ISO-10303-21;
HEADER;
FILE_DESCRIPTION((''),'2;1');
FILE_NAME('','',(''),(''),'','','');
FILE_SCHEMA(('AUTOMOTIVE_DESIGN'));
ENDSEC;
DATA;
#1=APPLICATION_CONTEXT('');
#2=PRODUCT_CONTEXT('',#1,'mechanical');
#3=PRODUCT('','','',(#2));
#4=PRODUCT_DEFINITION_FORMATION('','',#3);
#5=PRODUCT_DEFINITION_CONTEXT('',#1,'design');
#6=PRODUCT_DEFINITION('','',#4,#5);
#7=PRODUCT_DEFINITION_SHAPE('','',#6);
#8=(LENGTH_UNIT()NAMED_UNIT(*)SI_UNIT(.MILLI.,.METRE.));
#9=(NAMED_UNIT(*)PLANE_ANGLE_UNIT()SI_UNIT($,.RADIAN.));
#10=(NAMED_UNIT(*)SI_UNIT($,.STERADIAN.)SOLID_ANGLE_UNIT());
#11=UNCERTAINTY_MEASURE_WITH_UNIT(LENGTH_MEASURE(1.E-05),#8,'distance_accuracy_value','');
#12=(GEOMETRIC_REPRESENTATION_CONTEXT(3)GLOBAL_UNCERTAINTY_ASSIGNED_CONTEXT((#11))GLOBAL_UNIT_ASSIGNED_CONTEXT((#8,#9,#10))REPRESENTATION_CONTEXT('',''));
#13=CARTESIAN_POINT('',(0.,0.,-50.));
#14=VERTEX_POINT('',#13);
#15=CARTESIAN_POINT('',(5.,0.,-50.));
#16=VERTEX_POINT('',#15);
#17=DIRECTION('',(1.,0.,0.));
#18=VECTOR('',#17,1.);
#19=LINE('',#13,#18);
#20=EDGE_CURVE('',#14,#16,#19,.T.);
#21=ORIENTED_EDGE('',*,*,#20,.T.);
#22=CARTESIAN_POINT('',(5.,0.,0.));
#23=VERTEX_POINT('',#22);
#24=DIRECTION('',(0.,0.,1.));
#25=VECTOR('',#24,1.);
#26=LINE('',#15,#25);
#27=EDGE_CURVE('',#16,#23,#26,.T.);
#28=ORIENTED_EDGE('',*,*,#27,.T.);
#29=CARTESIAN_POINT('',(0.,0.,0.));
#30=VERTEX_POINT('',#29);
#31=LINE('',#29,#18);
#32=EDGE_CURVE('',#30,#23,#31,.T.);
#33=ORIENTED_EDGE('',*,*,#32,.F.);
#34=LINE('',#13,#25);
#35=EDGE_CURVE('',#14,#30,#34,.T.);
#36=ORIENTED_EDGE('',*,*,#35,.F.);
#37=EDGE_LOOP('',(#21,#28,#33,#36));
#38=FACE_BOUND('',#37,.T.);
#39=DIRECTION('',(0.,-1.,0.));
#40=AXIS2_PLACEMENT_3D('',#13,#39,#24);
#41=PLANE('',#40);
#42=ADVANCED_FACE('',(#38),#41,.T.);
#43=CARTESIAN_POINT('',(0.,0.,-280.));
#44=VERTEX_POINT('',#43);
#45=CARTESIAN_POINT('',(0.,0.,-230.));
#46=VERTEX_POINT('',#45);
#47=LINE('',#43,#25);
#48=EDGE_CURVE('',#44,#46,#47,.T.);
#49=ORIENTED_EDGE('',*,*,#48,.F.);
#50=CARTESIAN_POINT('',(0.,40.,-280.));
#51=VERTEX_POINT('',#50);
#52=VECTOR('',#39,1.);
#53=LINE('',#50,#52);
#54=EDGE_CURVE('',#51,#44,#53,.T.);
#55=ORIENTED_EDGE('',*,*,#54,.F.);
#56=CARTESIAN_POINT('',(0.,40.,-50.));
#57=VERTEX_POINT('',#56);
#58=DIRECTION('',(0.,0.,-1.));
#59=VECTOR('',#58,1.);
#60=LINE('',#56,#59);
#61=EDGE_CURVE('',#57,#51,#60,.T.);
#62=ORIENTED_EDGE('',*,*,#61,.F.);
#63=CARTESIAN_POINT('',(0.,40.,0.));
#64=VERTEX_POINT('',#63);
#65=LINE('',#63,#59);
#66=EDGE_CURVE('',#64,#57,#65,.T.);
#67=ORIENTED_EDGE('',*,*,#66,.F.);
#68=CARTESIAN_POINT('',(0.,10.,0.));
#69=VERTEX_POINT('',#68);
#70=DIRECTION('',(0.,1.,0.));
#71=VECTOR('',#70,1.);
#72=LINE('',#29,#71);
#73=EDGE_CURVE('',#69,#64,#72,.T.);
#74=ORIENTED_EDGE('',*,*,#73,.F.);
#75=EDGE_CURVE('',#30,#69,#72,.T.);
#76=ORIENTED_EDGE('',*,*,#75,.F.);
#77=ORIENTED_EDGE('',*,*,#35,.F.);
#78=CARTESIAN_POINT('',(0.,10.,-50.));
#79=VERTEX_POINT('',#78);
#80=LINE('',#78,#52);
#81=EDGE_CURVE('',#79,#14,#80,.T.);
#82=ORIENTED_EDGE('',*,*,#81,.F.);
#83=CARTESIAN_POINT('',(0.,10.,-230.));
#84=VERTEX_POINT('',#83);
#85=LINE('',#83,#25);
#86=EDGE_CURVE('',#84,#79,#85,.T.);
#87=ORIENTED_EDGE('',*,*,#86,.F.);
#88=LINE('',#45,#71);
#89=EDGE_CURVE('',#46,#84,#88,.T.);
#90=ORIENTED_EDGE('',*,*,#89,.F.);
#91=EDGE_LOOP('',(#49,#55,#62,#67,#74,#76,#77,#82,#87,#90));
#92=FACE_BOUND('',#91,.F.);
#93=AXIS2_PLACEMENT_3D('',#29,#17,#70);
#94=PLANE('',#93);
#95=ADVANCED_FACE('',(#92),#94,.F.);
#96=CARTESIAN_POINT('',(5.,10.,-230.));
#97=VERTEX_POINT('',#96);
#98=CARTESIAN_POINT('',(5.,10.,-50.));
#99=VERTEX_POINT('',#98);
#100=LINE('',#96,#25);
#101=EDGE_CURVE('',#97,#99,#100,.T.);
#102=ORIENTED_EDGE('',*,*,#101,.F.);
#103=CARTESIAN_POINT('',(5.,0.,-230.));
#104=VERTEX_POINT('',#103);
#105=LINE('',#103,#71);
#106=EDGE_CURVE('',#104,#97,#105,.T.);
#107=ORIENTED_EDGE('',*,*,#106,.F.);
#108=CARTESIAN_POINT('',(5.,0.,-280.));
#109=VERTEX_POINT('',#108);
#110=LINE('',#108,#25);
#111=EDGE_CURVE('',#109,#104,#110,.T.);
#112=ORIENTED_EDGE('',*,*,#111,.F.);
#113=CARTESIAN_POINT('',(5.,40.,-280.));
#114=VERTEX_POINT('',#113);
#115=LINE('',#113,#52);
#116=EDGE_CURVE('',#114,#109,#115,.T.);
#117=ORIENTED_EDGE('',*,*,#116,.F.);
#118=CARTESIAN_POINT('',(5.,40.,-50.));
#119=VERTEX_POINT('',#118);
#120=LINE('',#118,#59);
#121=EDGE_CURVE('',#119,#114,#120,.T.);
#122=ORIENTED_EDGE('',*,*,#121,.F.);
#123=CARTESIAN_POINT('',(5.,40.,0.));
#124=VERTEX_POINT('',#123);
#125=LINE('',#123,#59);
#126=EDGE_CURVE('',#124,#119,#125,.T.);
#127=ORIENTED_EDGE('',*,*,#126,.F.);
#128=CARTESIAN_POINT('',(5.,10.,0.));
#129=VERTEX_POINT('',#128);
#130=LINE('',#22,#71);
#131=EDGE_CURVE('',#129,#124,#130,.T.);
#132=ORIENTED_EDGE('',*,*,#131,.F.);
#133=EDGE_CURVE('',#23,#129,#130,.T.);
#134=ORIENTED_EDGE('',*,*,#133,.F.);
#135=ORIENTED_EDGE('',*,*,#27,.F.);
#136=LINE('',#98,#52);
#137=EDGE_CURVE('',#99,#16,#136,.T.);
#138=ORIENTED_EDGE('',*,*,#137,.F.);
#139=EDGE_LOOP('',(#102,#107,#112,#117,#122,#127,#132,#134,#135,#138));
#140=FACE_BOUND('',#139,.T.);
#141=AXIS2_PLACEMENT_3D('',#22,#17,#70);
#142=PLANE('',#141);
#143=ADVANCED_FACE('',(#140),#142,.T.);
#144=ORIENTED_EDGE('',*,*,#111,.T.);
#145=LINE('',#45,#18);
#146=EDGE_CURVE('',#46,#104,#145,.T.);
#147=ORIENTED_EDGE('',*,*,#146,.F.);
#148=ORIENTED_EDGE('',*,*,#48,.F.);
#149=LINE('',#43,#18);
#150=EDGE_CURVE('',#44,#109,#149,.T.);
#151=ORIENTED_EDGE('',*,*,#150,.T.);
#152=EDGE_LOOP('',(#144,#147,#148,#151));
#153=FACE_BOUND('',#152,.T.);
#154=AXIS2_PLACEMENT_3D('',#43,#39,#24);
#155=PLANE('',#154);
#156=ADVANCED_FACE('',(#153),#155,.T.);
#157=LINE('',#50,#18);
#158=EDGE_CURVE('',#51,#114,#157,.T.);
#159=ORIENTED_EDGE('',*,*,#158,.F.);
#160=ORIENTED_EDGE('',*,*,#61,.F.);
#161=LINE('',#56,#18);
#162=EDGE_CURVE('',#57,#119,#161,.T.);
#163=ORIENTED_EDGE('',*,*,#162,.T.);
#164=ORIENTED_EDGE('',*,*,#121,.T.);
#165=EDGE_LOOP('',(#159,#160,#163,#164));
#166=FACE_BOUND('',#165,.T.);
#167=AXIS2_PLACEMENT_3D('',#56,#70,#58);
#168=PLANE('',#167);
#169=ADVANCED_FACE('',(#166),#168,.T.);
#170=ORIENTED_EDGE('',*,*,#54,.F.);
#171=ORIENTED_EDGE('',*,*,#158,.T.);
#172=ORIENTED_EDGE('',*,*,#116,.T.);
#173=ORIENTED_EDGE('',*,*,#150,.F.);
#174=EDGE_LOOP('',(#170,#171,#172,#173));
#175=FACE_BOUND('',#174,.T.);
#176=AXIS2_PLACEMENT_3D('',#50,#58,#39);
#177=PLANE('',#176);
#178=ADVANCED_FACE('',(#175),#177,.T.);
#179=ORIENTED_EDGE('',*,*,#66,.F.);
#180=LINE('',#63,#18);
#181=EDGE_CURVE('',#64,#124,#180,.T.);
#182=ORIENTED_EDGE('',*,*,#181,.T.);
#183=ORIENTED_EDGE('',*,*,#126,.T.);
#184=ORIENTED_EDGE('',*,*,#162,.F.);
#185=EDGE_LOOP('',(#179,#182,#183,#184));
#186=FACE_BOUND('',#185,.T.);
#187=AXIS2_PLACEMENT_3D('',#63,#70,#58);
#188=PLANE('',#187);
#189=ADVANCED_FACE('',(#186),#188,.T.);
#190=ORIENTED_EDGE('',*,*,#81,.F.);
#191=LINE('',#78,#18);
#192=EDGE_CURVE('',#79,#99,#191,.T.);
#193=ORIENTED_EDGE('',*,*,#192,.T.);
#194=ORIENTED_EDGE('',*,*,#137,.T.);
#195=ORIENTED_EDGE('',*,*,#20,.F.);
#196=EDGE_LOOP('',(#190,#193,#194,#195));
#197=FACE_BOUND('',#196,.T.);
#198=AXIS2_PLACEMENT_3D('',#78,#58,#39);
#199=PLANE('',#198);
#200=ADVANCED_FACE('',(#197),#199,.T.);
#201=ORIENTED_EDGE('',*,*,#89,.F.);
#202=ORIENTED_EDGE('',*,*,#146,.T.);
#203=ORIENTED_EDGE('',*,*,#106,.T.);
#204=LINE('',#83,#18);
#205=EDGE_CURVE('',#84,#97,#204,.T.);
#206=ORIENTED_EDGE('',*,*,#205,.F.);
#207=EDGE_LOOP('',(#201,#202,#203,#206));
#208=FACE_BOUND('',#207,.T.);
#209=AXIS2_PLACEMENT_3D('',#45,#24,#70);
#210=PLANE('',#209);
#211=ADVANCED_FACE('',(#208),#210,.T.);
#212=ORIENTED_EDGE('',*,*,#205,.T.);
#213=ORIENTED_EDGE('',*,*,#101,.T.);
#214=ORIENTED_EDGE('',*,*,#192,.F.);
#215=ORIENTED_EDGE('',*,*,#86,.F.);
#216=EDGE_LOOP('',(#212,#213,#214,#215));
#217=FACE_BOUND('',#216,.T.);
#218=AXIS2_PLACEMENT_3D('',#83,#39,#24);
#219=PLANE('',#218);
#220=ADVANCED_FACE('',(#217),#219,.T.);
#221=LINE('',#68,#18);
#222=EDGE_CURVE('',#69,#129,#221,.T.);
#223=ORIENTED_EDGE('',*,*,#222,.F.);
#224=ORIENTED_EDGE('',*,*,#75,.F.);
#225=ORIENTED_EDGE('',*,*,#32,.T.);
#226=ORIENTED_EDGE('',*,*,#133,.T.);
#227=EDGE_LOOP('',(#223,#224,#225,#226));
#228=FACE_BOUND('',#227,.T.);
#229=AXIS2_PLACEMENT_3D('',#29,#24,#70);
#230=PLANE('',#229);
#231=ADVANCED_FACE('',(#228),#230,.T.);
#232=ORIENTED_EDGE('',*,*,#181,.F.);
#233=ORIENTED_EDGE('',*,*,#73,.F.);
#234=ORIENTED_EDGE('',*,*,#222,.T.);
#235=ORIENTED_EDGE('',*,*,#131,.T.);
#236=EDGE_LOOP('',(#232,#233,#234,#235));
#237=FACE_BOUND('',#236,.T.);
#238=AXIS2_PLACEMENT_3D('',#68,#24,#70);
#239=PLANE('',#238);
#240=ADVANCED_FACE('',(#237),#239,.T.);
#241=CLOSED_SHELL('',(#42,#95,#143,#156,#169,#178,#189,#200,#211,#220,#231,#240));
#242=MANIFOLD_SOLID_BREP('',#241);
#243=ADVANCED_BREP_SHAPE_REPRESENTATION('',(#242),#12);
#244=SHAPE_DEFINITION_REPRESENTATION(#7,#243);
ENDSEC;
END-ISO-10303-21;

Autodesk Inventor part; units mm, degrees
ref_plane "YZ Plane" through (0, 0, 0) normal (1, 0, 0) x (0, 1, 0)
ref_plane "XZ Plane" through (0, 0, 0) normal (0, 1, 0) x (-1, 0, 0)
ref_plane "XY Plane" through (0, 0, 0) normal (0, 0, 1) x (1, 0, 0)
sketch "Sketch1" plane through (0, 0, 0) normal (1, 0, 0) x (0, 1, 0)
  line L0 (0, 0) -> (40, 0)
  line L1 (40, 0) -> (40, -50)
  line L2 (0, 0) -> (10, 0)
  line L3 (10, -50) -> (0, -50)
  line L4 (0, -50) -> (0, 0)
  line L5 (40, -50) -> (40, -280)
  line L6 (40, -280) -> (0, -280)
  line L7 (0, -280) -> (0, -230)
  line L8 (0, -230) -> (10, -230)
  line L9 (10, -230) -> (10, -50)
  dimension "d0" = 40
  dimension "d1" = 50
  dimension "d3" = 230
  dimension "d4" = 50
  dimension "d5" = 10
extrude "Extrusion1" add sketch "Sketch1" along normal blind 5
properties part number "cover"
